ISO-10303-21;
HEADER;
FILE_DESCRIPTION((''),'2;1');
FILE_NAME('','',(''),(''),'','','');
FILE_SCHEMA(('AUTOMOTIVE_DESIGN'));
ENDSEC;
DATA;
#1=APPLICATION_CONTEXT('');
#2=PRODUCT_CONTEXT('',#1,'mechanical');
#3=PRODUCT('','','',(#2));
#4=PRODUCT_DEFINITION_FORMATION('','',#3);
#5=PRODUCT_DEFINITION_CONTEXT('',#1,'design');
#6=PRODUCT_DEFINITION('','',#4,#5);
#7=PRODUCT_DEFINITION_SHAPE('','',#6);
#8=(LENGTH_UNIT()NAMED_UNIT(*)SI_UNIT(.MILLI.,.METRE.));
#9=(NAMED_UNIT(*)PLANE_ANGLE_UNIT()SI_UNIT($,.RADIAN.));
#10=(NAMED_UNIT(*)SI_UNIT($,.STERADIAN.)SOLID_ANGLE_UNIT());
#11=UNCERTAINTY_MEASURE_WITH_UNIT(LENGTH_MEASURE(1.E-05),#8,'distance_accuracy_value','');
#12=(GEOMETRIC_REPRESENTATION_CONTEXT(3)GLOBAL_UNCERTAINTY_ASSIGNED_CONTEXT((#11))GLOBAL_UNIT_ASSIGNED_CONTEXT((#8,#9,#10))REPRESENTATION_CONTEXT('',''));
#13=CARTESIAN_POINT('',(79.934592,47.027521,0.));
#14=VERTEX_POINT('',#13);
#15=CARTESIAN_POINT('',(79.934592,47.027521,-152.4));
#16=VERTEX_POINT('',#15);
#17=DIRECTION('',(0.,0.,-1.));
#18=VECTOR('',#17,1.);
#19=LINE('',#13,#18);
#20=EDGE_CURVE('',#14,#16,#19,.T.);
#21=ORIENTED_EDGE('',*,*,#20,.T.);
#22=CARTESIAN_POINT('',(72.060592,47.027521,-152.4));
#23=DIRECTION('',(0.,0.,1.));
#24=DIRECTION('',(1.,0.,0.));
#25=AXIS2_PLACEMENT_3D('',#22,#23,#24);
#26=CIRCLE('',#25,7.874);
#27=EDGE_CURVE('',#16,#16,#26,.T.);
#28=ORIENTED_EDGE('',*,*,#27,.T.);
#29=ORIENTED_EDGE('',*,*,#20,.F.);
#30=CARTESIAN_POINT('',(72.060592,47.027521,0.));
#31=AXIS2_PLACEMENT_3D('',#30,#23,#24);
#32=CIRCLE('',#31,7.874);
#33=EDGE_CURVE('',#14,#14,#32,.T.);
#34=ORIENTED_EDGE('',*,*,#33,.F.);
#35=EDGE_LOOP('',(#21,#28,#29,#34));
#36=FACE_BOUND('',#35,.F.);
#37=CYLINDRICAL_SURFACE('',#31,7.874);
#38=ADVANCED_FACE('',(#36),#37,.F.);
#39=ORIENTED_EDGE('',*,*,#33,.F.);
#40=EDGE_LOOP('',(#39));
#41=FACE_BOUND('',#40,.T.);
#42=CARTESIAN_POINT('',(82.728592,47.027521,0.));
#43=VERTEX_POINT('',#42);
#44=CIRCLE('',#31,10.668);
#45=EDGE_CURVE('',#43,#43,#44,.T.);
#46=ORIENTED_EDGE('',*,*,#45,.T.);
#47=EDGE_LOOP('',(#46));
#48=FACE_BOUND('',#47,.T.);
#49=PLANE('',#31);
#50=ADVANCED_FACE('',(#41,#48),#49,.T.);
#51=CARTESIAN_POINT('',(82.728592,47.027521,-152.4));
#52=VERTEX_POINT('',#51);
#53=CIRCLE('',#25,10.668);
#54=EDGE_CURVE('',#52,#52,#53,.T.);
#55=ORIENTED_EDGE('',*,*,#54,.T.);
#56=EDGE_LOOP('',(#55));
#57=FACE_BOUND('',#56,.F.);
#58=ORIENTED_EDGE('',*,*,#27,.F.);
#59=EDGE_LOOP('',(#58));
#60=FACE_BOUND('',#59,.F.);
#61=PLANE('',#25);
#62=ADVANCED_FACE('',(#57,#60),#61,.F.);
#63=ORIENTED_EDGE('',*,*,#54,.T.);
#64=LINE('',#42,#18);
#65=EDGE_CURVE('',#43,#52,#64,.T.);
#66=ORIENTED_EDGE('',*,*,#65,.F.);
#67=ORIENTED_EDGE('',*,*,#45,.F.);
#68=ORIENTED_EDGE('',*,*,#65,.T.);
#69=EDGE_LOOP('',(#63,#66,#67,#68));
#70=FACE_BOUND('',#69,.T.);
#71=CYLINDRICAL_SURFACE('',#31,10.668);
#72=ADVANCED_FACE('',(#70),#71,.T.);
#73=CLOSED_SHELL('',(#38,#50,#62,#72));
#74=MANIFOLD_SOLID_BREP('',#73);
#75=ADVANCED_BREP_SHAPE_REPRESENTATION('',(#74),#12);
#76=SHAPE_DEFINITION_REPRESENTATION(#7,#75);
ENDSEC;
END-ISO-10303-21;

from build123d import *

# Parameters (mm, degrees)
F1_R     = 10.668
F1_R_2   = 7.874
F2_DEPTH = 152.4


with BuildPart() as f2:
    # F1 (on face) → F2 (new body)
    with BuildSketch(Plane.XY):
        with Locations((72.060592, 47.027521)):
            Circle(F1_R)
        with Locations((72.060592, 47.027521)):
            Circle(F1_R_2, mode=Mode.SUBTRACT)
    extrude(amount=-F2_DEPTH)


solid = f2.part
